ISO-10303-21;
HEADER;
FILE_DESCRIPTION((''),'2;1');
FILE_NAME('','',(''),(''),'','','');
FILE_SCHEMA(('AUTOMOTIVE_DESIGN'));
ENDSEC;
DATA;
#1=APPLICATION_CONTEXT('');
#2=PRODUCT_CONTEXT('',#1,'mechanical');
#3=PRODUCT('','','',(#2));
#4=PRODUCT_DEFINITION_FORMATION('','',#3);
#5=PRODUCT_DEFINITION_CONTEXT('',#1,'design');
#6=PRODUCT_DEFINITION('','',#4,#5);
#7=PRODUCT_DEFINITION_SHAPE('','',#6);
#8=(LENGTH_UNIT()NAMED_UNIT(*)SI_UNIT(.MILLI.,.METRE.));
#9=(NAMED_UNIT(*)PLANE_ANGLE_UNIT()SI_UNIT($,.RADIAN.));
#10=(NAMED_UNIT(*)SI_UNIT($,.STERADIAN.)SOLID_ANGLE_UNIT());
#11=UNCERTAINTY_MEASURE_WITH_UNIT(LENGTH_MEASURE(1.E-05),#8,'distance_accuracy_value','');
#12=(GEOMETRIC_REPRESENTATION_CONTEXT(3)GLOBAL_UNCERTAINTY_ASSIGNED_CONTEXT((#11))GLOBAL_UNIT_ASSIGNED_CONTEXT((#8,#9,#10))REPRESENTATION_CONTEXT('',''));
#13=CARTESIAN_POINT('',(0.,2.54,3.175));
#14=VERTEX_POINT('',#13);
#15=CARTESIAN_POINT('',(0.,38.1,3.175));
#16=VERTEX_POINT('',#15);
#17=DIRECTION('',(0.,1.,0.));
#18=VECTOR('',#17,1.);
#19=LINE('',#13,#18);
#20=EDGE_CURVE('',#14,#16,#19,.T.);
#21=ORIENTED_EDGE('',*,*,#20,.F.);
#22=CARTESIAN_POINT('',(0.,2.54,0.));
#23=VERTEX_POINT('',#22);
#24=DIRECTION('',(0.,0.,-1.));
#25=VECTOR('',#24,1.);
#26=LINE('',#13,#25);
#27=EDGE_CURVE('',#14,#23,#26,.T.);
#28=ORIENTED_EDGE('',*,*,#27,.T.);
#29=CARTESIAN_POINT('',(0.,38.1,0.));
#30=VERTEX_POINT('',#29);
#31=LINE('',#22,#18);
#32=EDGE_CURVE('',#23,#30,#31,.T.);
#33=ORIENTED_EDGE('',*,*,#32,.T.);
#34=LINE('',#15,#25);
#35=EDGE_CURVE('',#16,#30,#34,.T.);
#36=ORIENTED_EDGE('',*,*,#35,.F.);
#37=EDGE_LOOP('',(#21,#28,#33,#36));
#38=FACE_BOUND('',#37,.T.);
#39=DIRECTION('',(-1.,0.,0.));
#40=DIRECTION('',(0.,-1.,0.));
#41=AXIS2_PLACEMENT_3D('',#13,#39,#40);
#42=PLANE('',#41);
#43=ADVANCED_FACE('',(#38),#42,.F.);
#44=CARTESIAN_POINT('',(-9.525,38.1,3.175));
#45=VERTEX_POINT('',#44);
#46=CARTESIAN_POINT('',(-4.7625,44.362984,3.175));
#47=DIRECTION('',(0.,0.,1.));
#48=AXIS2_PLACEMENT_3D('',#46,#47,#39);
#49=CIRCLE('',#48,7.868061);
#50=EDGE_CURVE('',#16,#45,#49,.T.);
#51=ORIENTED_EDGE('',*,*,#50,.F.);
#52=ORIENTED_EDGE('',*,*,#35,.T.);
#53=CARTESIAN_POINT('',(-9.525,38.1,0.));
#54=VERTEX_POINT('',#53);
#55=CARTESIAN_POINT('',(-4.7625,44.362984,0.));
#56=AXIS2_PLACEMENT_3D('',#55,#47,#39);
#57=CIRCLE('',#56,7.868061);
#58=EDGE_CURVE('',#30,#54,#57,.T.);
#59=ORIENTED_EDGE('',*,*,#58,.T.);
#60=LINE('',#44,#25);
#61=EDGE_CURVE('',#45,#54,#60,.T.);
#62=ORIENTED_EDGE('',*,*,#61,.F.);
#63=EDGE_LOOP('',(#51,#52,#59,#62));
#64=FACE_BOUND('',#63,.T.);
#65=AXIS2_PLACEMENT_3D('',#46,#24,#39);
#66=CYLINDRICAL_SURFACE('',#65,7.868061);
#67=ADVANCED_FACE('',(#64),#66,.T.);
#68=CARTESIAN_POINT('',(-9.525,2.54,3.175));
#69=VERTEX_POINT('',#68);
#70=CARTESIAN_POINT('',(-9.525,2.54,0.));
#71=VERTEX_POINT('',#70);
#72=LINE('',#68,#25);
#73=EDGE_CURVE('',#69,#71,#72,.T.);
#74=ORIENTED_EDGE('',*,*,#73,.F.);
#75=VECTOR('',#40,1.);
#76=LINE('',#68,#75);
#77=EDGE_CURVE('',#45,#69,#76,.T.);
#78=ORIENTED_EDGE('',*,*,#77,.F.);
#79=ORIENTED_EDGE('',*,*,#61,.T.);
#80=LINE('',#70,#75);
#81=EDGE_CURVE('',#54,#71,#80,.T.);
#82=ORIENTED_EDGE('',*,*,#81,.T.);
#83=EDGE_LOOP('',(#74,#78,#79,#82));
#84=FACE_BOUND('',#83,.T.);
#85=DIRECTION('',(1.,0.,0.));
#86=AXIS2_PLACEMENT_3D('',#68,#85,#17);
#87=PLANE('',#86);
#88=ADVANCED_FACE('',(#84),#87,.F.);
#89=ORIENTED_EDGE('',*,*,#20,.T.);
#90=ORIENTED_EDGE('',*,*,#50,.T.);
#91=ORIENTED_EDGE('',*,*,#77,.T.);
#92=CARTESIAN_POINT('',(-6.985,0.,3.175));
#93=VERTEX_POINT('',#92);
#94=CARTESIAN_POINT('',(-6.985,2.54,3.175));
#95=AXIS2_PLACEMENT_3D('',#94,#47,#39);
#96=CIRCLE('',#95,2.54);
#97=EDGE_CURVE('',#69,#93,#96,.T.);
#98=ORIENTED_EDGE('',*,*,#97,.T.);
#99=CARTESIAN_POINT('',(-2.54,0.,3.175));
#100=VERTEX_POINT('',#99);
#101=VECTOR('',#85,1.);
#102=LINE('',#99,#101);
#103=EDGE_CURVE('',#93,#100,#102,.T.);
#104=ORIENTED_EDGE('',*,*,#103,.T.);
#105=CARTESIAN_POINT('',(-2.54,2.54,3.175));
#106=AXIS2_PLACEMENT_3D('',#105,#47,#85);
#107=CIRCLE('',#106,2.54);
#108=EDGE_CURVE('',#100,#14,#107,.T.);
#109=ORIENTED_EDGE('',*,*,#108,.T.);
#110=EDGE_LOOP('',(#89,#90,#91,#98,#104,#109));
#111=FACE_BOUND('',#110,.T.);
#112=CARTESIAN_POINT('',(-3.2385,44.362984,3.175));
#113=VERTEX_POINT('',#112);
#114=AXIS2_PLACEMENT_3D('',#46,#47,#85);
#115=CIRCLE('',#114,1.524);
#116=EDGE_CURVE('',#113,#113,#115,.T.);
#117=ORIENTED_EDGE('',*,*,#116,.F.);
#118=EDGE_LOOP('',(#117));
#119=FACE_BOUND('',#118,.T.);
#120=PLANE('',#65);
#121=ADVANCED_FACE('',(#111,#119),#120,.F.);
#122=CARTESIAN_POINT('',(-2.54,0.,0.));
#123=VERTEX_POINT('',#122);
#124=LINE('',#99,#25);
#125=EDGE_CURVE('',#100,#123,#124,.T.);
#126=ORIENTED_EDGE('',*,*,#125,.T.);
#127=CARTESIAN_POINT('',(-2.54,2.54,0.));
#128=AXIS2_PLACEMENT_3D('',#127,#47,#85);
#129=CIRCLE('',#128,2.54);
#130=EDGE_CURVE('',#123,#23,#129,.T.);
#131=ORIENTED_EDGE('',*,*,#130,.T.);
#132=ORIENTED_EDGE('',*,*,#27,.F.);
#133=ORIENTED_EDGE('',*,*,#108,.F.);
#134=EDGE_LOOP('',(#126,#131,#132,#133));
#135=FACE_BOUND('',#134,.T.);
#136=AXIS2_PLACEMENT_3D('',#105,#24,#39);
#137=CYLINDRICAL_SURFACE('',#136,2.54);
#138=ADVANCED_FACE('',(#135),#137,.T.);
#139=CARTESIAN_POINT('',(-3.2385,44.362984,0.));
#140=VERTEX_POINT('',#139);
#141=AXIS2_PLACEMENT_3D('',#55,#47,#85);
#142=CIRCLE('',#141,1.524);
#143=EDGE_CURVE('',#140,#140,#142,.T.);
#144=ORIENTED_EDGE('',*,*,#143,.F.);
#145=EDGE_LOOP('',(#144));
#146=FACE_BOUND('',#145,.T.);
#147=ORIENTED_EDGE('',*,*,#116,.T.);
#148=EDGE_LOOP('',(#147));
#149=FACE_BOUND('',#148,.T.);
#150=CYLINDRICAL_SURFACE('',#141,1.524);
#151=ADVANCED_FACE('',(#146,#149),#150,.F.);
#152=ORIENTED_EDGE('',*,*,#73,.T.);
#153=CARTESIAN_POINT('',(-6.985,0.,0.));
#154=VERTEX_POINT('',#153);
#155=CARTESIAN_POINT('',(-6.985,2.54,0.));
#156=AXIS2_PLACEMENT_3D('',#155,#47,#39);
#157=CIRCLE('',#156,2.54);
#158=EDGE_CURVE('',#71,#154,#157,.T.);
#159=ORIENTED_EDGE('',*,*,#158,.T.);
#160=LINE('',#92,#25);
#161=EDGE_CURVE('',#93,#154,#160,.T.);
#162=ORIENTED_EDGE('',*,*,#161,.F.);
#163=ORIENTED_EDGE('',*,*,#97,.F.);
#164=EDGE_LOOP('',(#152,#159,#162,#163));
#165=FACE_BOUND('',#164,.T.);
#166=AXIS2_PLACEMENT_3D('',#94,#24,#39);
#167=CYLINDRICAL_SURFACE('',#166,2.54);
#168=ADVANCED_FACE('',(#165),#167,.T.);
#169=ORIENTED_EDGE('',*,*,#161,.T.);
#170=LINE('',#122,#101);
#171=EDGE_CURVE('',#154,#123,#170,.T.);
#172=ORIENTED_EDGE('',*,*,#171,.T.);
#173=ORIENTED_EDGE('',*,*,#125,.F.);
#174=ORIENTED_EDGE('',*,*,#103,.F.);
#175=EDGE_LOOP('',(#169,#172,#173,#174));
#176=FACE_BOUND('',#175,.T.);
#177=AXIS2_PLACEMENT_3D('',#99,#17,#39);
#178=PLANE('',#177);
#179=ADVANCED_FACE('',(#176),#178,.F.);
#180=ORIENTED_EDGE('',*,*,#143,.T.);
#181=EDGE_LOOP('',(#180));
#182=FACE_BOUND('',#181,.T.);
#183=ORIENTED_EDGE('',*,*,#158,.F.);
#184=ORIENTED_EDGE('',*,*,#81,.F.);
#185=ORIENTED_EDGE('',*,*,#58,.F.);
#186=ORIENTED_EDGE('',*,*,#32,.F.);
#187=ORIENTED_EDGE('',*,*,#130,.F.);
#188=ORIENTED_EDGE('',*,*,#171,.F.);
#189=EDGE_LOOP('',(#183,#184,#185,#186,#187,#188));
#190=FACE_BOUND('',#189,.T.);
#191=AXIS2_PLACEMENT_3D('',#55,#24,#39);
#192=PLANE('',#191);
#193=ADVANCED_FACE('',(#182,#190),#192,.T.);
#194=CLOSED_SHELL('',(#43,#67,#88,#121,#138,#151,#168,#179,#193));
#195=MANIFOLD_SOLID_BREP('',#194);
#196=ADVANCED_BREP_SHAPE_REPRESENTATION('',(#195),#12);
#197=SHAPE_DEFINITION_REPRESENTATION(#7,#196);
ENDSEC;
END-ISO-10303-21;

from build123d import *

# Parameters (mm, degrees)
BOSS_EXTRUDE1_DEPTH = 3.175
SKETCH2_R           = 1.524
CUT_EXTRUDE1_DEPTH  = 3.175


with BuildPart() as part:
    # Sketch1 → Boss-Extrude1 (new body)
    with BuildSketch(Plane.XY):
        with BuildLine():
            Line((-2.54, 0), (-6.985, 0))
            ThreePointArc((-6.985, 0), (-8.781051224, 0.743948776), (-9.525, 2.54))
            Line((-9.525, 2.54), (-9.525, 38.1))
            ThreePointArc((-9.525, 38.1), (-4.7625, 52.231044912), (0, 38.1))
            Line((0, 38.1), (0, 2.54))
            ThreePointArc((0, 2.54), (-0.743948776, 0.743948776), (-2.54, 0))
        make_face()
    extrude(amount=BOSS_EXTRUDE1_DEPTH)

    # Sketch2 → Cut-Extrude1 (cut)
    with BuildSketch(Plane.XY.offset(3.175)):
        with Locations((-4.7625, 44.362984272)):
            Circle(SKETCH2_R)
    extrude(amount=-CUT_EXTRUDE1_DEPTH, mode=Mode.SUBTRACT)


solid = part.part
